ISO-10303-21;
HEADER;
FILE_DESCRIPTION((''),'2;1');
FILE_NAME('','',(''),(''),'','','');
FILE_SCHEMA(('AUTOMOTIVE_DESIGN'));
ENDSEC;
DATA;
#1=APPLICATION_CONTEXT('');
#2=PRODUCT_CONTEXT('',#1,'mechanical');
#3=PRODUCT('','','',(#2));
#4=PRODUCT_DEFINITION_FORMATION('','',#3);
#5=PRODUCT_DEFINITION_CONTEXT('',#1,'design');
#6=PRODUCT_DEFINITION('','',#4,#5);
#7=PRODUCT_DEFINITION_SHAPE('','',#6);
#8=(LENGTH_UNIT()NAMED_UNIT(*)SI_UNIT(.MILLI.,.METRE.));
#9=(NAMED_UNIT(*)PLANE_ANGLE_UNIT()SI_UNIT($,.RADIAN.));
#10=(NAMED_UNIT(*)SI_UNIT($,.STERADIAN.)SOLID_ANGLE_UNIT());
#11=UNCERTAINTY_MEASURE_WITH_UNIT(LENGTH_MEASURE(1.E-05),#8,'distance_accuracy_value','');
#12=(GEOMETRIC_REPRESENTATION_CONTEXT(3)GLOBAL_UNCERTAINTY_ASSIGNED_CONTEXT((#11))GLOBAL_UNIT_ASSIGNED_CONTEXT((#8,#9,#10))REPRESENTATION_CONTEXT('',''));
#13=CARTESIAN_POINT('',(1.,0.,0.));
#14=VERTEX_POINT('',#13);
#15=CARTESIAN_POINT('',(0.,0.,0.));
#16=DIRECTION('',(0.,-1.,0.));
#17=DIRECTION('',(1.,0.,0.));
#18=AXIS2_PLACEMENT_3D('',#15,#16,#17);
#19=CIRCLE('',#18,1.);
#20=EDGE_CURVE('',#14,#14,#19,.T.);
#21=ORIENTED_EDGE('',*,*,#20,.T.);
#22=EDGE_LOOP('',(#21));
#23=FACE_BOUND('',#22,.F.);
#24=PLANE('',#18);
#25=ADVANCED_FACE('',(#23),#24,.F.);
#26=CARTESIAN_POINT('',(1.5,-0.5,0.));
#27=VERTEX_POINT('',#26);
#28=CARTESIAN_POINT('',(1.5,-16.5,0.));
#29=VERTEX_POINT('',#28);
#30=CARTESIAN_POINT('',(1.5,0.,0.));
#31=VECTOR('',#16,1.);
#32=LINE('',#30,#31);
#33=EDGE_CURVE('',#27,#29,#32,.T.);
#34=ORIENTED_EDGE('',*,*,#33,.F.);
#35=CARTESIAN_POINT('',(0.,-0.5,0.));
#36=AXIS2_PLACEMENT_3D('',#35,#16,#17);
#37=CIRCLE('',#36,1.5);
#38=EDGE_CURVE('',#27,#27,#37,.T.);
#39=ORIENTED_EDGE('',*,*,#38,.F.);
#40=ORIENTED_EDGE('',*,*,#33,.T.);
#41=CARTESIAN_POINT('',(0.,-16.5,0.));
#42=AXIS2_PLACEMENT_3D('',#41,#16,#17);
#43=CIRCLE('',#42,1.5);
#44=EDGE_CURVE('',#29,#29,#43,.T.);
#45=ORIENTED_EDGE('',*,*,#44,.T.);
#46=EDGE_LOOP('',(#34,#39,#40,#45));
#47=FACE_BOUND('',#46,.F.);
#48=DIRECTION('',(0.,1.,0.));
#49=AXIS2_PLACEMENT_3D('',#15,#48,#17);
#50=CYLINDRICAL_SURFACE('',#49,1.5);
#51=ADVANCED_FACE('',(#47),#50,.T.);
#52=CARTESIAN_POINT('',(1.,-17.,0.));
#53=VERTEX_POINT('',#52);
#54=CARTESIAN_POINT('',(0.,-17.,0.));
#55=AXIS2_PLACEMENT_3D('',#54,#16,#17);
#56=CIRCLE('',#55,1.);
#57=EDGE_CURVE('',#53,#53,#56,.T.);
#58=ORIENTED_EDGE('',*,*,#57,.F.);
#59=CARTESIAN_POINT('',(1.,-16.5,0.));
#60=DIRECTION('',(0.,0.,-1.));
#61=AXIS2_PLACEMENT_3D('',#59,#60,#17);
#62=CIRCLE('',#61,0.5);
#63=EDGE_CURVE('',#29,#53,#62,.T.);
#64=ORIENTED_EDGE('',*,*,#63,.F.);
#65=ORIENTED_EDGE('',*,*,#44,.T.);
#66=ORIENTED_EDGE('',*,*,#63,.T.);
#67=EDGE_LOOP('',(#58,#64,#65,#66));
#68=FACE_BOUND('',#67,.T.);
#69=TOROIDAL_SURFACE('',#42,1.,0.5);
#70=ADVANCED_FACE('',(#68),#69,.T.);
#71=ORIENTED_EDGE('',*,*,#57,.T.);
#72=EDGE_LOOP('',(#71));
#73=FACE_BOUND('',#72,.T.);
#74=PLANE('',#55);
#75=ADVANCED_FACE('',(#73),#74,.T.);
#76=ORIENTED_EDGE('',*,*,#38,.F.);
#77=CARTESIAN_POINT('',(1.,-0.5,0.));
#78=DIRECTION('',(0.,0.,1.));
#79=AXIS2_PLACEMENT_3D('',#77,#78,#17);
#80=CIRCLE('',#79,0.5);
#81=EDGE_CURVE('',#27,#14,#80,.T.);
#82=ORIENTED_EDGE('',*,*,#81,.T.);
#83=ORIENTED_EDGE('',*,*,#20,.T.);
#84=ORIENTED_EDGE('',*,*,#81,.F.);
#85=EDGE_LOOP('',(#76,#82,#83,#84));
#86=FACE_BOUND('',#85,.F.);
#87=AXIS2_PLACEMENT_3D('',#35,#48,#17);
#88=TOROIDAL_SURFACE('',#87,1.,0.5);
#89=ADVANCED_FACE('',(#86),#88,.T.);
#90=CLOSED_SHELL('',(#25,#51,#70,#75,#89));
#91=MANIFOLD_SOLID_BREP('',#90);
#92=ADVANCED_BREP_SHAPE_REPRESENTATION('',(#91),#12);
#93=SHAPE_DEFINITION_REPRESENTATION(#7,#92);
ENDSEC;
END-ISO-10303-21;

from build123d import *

# Parameters (mm, degrees)
F0_R     = 1.5
F1_DEPTH = 17
F2_R     = 0.5


with BuildPart() as f1:
    # F0 (on Front) → F1 (new body)
    with BuildSketch(Plane.XZ):
        Circle(F0_R)
    extrude(amount=F1_DEPTH)

    # F2
    f2_edges = [f1.edges().sort_by_distance(p)[0] for p in [
        (1.5, -8.5, 0),
        (-1.5, 0, 0),
        (-1.5, -17, 0),
    ]]
    fillet(f2_edges, radius=F2_R)


solid = f1.part
